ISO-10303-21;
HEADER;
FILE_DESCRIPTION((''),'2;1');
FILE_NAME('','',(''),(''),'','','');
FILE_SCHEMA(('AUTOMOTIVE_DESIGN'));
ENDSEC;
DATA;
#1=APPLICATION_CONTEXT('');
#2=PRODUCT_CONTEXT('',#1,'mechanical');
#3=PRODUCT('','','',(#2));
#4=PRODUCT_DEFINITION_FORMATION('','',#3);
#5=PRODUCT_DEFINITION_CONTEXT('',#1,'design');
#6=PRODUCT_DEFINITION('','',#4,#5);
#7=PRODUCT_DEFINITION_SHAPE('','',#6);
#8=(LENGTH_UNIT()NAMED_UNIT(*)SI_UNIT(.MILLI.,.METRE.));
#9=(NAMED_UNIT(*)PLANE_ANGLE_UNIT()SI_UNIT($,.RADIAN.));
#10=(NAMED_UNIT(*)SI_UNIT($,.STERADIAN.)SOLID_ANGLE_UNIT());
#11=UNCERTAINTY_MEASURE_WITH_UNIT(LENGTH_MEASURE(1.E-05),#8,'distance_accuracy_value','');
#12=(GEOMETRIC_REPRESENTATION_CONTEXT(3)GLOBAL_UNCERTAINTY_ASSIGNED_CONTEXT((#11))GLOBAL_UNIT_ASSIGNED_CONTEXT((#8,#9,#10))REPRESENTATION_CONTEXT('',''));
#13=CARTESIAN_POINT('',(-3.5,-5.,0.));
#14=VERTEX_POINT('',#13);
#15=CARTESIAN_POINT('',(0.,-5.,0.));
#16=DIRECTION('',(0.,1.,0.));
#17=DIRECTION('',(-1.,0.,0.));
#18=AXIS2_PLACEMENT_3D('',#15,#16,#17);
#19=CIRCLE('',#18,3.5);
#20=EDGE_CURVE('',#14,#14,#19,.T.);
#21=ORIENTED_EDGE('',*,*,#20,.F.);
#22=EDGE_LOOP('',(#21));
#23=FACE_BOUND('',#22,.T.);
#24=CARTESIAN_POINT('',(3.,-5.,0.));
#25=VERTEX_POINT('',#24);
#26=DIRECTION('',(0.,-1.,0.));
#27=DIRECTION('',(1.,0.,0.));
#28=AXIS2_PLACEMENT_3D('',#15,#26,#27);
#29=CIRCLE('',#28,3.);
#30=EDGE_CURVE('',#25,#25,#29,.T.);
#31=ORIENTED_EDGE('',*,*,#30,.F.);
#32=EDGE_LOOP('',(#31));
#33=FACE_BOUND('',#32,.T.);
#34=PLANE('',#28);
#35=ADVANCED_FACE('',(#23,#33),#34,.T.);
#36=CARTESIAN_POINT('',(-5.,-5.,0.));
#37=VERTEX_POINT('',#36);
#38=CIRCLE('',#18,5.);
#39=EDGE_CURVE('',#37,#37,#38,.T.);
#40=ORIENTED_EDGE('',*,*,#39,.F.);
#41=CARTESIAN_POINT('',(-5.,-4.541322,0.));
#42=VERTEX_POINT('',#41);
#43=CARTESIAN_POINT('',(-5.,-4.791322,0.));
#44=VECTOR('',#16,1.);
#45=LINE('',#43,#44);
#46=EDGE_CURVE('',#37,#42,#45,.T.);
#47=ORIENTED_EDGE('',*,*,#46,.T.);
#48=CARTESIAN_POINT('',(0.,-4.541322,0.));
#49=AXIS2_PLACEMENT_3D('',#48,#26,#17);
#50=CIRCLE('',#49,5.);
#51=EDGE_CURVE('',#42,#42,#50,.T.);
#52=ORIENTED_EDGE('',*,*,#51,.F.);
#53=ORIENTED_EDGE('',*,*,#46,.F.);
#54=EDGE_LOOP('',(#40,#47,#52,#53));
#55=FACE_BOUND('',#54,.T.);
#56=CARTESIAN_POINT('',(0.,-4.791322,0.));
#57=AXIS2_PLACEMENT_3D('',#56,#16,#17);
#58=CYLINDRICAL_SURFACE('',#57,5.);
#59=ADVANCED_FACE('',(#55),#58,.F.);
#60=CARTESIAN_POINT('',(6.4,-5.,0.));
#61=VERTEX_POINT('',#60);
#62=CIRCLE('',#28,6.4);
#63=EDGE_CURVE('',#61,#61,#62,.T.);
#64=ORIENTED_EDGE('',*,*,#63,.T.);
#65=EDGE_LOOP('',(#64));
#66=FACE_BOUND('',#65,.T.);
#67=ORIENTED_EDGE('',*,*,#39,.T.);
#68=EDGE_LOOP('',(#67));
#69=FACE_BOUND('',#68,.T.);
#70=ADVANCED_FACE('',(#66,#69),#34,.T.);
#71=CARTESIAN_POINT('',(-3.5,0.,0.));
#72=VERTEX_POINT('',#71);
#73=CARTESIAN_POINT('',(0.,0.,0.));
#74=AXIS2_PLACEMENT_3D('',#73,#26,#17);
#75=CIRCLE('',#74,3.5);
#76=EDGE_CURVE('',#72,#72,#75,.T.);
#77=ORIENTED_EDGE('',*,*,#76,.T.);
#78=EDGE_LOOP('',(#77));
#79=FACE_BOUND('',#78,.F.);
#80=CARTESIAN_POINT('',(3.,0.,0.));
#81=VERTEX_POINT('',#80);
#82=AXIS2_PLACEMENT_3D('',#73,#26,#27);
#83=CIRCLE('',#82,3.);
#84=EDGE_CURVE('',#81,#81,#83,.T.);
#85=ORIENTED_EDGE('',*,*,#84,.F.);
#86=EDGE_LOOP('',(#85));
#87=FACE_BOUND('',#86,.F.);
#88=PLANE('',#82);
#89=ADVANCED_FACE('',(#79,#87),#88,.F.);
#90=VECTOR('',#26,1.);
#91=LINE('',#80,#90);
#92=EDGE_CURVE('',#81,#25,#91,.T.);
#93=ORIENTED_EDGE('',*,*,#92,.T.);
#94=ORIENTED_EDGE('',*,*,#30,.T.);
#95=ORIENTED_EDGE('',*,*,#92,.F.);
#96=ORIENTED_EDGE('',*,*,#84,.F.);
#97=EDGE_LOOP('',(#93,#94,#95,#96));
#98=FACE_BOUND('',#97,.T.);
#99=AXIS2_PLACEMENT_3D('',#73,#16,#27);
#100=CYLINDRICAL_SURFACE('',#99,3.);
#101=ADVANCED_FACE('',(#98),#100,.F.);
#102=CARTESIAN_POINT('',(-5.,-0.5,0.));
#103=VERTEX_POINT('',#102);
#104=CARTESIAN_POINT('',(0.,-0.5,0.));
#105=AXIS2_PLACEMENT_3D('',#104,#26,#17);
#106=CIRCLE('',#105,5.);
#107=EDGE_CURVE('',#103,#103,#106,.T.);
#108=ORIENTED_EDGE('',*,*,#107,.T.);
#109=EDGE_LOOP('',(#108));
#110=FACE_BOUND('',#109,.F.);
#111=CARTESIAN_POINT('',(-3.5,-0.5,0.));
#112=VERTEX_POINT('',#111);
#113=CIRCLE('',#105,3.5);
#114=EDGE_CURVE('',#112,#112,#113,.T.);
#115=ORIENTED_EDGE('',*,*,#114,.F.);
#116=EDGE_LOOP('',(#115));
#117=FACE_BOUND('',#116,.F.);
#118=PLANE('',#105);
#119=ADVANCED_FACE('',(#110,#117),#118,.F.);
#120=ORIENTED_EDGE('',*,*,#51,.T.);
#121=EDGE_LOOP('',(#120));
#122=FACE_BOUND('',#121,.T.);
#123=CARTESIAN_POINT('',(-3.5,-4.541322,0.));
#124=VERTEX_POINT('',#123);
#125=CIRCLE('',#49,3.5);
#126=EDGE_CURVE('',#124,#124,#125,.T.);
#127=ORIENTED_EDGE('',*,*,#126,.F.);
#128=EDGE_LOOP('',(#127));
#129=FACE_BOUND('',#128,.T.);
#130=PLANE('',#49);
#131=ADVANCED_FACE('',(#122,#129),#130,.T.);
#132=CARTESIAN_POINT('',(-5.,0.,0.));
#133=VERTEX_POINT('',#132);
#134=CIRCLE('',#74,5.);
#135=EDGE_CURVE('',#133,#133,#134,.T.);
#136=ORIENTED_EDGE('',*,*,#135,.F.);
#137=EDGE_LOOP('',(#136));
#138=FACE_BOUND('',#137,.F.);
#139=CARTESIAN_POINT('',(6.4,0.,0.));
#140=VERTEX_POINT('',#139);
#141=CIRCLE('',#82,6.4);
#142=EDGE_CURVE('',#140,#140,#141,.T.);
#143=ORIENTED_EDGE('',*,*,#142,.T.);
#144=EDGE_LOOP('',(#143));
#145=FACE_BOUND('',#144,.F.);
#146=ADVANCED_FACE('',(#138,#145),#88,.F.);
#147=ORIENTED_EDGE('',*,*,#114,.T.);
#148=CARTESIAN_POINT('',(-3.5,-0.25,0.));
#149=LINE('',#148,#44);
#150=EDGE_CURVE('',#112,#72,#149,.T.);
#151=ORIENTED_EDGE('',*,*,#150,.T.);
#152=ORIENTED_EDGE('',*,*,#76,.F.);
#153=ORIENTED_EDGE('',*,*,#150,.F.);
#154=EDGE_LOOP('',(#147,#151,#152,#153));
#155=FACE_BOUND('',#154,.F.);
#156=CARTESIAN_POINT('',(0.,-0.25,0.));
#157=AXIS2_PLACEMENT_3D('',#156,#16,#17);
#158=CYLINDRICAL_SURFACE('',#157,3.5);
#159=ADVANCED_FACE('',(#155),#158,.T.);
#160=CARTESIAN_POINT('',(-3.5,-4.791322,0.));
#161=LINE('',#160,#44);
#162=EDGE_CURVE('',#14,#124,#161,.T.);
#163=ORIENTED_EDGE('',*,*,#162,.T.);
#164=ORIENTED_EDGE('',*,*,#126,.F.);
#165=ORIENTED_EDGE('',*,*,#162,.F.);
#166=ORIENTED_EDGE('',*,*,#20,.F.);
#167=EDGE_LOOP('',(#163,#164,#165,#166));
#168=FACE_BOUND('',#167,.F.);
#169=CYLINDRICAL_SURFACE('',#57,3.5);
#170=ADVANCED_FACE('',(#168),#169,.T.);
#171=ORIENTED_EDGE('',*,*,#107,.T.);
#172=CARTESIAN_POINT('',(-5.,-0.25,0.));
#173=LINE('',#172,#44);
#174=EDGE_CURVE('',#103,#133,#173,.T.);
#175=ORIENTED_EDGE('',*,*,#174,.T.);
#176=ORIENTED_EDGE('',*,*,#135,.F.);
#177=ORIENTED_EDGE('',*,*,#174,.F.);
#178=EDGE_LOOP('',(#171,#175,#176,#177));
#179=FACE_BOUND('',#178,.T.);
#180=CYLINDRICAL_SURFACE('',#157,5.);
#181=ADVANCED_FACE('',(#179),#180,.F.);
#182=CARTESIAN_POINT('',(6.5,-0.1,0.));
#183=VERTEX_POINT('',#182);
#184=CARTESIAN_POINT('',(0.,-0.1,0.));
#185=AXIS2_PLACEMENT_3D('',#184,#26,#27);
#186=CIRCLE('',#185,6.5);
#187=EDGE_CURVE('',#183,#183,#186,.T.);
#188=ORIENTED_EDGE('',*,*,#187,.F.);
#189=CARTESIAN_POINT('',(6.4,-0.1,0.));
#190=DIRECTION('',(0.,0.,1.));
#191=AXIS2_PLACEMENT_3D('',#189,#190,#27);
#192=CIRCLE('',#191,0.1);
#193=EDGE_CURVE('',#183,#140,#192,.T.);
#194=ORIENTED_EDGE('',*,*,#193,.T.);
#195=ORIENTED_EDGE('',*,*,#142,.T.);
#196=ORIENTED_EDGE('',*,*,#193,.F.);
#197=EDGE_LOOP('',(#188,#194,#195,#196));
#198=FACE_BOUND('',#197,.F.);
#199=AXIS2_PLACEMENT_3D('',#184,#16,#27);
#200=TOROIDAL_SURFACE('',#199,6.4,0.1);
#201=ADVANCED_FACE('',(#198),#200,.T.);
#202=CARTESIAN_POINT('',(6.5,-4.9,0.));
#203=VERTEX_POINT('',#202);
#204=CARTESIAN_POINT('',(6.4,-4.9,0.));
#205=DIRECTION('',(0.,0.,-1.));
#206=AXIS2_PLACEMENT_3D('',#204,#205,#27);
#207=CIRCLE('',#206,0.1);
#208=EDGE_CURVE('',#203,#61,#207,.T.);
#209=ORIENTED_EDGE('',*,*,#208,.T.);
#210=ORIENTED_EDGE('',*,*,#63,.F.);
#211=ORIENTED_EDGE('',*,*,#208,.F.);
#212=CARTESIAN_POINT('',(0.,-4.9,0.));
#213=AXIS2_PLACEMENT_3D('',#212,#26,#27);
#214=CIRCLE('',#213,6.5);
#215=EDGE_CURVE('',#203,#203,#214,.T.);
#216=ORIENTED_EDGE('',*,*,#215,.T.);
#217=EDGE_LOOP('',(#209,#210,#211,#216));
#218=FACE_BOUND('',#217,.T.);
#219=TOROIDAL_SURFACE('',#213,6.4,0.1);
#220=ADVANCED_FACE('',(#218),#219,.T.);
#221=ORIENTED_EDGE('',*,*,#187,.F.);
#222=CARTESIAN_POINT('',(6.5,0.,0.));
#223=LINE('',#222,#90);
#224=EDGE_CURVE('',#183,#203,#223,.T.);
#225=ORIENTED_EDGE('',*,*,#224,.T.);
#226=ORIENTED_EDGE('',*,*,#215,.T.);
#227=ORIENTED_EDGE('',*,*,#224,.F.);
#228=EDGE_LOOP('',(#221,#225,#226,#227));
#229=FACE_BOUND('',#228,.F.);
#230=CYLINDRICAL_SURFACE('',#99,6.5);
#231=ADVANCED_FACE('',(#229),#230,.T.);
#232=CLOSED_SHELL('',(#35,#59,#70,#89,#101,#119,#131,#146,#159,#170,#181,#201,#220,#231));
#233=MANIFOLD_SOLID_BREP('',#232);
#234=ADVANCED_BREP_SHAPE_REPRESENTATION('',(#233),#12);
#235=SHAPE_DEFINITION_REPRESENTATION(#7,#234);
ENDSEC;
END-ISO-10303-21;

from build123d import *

# Parameters (mm, degrees)
F0_R     = 6.5
F0_R_2   = 3
F1_DEPTH = 5
F2_W     = 1.5
F2_H     = 0.5
F5_R     = 0.1
F6_R     = 0.1


with BuildPart() as f1:
    # F0 (on Front) → F1 (new body)
    with BuildSketch(Plane.XZ):
        Circle(F0_R)
        Circle(F0_R_2, mode=Mode.SUBTRACT)
    extrude(amount=F1_DEPTH)

    # F2 (on Top) → F3 (revolve, cut)
    with BuildSketch(Plane.XY):
        with Locations((-4.25, -4.791322)):
            Rectangle(F2_W, F2_H)
    revolve(axis=Axis((0, -1.116181, 0), (0, -1, 0)), mode=Mode.SUBTRACT)

    # F2 (on Top) → F4 (revolve, cut)
    with BuildSketch(Plane.XY):
        with Locations((-4.25, -0.25)):
            Rectangle(F2_W, F2_H)
    revolve(axis=Axis((0, -1.116181, 0), (0, -1, 0)), mode=Mode.SUBTRACT)

    # F5
    f5_edges = [f1.edges().sort_by_distance(p)[0] for p in [
        (-6.5, -5, 0),
    ]]
    fillet(f5_edges, radius=F5_R)

    # F6
    f6_edges = [f1.edges().sort_by_distance(p)[0] for p in [
        (-6.5, 0, 0),
    ]]
    fillet(f6_edges, radius=F6_R)


solid = f1.part
